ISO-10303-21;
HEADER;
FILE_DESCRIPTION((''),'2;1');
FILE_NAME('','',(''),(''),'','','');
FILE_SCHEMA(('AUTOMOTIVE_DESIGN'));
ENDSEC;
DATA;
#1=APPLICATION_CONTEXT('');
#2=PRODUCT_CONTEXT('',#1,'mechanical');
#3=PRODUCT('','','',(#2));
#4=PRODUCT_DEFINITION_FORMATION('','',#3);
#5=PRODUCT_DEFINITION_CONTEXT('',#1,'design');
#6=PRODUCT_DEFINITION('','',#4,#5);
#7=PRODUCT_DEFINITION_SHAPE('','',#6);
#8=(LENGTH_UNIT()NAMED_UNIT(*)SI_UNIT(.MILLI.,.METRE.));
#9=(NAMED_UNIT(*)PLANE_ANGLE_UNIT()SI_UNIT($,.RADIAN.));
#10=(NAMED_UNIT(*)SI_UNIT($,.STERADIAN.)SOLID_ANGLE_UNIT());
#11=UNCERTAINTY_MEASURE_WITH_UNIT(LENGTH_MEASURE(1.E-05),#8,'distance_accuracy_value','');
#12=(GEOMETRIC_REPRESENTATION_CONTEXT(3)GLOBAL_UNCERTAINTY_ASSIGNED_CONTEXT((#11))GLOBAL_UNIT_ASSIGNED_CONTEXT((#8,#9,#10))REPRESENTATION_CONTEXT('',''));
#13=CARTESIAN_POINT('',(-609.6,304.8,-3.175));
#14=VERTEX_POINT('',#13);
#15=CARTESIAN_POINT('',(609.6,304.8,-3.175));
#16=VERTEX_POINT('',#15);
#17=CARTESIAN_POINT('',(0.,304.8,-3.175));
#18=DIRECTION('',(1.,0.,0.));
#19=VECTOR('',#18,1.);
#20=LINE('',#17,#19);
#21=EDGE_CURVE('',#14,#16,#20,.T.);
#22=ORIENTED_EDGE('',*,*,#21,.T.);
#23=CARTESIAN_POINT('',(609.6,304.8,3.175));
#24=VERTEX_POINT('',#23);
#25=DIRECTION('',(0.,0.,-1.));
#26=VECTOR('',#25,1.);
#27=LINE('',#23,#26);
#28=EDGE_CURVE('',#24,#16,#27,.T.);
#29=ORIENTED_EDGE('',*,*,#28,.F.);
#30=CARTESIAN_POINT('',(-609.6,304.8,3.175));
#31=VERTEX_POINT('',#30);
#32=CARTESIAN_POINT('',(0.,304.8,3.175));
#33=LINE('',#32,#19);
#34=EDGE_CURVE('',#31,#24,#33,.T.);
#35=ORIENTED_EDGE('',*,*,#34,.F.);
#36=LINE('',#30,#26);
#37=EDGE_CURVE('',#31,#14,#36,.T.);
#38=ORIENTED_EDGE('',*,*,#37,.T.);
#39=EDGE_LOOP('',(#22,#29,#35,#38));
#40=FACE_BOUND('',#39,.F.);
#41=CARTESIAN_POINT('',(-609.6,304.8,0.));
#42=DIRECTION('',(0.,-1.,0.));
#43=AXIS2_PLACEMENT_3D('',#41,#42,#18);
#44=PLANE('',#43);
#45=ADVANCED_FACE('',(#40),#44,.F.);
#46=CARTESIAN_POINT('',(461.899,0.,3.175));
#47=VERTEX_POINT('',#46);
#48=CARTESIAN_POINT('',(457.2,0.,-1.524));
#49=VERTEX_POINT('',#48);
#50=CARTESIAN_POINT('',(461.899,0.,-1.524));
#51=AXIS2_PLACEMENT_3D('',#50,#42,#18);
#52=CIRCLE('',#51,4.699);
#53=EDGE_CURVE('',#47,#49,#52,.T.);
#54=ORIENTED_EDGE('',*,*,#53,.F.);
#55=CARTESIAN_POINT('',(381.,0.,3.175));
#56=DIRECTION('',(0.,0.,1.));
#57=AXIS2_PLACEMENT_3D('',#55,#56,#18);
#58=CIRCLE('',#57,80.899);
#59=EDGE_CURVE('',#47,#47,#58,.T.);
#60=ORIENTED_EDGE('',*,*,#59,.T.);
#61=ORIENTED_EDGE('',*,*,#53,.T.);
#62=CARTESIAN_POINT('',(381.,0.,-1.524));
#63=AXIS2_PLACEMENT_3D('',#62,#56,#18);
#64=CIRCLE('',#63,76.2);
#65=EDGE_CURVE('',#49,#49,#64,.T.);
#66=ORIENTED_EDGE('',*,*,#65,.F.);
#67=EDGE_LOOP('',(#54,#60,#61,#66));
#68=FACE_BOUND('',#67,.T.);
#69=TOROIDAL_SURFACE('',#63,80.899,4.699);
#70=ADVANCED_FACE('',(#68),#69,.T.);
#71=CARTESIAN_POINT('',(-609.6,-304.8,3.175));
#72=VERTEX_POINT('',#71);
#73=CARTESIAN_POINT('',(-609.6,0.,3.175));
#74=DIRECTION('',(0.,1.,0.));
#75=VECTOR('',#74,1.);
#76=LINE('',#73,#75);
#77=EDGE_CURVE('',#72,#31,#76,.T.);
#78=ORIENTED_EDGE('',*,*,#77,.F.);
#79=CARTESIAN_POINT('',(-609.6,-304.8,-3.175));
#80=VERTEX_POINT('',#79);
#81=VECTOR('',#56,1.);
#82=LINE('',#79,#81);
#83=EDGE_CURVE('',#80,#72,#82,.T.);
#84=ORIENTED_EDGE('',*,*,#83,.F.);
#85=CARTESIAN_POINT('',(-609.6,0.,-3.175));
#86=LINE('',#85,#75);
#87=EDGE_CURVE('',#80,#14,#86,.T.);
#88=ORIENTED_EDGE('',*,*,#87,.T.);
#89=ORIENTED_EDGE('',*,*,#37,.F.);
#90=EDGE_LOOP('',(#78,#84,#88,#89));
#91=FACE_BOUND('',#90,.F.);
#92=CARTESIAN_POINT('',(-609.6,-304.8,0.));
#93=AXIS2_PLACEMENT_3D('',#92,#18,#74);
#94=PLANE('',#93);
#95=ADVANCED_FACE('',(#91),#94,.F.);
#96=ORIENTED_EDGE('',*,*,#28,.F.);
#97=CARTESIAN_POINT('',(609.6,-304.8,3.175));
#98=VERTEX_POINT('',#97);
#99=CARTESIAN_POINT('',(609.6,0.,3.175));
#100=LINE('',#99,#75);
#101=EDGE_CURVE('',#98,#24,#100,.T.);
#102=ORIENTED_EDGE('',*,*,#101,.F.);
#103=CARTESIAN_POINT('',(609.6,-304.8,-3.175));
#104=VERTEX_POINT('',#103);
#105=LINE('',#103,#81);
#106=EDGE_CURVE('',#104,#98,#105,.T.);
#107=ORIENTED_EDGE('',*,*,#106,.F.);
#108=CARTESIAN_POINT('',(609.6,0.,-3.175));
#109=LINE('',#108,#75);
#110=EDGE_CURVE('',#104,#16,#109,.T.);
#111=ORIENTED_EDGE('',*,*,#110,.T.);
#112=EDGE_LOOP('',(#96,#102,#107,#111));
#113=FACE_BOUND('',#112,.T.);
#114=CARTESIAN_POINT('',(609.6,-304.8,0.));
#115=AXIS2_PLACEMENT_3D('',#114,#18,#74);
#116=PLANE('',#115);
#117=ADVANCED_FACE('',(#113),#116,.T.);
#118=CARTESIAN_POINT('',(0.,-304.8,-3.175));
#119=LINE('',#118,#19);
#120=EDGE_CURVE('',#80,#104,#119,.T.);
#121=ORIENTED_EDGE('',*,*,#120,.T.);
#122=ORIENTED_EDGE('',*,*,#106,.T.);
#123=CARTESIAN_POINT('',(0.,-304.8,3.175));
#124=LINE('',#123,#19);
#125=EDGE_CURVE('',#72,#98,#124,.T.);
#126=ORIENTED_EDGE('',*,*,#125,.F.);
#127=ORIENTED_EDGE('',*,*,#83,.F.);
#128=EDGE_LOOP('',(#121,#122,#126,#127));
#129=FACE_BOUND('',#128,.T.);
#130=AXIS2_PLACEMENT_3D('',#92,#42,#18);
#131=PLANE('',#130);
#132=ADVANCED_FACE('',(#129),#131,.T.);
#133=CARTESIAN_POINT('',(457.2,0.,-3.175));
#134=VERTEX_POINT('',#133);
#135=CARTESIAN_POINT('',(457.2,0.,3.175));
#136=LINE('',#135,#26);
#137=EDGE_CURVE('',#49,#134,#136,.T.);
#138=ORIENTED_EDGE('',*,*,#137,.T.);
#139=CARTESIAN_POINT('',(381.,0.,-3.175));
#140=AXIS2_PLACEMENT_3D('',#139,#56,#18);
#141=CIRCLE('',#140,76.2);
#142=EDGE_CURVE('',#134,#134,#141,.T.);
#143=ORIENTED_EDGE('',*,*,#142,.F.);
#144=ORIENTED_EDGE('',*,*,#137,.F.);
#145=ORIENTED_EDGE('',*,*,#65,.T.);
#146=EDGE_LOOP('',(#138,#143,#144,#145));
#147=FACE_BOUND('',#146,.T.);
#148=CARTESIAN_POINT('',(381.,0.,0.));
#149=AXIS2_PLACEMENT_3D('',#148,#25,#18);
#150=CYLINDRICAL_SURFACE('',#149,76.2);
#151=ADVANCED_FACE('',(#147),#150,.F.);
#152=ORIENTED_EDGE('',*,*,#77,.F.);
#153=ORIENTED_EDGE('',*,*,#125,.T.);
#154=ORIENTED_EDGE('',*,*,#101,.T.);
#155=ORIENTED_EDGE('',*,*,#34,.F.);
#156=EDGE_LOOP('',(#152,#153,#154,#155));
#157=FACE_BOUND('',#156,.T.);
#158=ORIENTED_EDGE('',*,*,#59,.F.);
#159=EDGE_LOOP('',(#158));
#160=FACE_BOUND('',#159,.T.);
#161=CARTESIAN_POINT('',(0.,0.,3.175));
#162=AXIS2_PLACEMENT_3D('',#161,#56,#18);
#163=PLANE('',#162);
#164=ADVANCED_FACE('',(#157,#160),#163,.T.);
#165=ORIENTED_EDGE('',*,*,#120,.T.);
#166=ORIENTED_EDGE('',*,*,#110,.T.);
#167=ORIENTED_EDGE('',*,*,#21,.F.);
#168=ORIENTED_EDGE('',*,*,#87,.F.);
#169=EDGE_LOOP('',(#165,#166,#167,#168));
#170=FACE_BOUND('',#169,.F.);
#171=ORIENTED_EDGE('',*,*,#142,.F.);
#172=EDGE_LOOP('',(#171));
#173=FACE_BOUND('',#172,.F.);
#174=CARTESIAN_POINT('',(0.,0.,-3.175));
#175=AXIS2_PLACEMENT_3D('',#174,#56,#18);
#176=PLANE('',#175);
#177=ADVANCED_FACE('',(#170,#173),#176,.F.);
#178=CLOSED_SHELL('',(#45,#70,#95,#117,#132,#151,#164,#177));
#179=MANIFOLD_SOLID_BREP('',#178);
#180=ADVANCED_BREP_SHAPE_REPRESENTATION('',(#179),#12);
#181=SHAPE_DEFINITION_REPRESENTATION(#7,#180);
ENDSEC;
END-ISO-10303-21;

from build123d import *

# Parameters (mm, degrees)
F0_W     = 1219.2
F0_H     = 609.6
F0_R     = 76.2
F1_DEPTH = 3.175
F2_R     = 4.699


with BuildPart() as f1:
    # F0 (on Top) → F1 (new body, symmetric)
    with BuildSketch(Plane.XY):
        Rectangle(F0_W, F0_H)
        with Locations((381, 0)):
            Circle(F0_R, mode=Mode.SUBTRACT)
    extrude(amount=F1_DEPTH, both=True)

    # F2
    f2_edges = [f1.edges().sort_by_distance(p)[0] for p in [
        (304.8, 0, 3.175),
    ]]
    fillet(f2_edges, radius=F2_R)


solid = f1.part
